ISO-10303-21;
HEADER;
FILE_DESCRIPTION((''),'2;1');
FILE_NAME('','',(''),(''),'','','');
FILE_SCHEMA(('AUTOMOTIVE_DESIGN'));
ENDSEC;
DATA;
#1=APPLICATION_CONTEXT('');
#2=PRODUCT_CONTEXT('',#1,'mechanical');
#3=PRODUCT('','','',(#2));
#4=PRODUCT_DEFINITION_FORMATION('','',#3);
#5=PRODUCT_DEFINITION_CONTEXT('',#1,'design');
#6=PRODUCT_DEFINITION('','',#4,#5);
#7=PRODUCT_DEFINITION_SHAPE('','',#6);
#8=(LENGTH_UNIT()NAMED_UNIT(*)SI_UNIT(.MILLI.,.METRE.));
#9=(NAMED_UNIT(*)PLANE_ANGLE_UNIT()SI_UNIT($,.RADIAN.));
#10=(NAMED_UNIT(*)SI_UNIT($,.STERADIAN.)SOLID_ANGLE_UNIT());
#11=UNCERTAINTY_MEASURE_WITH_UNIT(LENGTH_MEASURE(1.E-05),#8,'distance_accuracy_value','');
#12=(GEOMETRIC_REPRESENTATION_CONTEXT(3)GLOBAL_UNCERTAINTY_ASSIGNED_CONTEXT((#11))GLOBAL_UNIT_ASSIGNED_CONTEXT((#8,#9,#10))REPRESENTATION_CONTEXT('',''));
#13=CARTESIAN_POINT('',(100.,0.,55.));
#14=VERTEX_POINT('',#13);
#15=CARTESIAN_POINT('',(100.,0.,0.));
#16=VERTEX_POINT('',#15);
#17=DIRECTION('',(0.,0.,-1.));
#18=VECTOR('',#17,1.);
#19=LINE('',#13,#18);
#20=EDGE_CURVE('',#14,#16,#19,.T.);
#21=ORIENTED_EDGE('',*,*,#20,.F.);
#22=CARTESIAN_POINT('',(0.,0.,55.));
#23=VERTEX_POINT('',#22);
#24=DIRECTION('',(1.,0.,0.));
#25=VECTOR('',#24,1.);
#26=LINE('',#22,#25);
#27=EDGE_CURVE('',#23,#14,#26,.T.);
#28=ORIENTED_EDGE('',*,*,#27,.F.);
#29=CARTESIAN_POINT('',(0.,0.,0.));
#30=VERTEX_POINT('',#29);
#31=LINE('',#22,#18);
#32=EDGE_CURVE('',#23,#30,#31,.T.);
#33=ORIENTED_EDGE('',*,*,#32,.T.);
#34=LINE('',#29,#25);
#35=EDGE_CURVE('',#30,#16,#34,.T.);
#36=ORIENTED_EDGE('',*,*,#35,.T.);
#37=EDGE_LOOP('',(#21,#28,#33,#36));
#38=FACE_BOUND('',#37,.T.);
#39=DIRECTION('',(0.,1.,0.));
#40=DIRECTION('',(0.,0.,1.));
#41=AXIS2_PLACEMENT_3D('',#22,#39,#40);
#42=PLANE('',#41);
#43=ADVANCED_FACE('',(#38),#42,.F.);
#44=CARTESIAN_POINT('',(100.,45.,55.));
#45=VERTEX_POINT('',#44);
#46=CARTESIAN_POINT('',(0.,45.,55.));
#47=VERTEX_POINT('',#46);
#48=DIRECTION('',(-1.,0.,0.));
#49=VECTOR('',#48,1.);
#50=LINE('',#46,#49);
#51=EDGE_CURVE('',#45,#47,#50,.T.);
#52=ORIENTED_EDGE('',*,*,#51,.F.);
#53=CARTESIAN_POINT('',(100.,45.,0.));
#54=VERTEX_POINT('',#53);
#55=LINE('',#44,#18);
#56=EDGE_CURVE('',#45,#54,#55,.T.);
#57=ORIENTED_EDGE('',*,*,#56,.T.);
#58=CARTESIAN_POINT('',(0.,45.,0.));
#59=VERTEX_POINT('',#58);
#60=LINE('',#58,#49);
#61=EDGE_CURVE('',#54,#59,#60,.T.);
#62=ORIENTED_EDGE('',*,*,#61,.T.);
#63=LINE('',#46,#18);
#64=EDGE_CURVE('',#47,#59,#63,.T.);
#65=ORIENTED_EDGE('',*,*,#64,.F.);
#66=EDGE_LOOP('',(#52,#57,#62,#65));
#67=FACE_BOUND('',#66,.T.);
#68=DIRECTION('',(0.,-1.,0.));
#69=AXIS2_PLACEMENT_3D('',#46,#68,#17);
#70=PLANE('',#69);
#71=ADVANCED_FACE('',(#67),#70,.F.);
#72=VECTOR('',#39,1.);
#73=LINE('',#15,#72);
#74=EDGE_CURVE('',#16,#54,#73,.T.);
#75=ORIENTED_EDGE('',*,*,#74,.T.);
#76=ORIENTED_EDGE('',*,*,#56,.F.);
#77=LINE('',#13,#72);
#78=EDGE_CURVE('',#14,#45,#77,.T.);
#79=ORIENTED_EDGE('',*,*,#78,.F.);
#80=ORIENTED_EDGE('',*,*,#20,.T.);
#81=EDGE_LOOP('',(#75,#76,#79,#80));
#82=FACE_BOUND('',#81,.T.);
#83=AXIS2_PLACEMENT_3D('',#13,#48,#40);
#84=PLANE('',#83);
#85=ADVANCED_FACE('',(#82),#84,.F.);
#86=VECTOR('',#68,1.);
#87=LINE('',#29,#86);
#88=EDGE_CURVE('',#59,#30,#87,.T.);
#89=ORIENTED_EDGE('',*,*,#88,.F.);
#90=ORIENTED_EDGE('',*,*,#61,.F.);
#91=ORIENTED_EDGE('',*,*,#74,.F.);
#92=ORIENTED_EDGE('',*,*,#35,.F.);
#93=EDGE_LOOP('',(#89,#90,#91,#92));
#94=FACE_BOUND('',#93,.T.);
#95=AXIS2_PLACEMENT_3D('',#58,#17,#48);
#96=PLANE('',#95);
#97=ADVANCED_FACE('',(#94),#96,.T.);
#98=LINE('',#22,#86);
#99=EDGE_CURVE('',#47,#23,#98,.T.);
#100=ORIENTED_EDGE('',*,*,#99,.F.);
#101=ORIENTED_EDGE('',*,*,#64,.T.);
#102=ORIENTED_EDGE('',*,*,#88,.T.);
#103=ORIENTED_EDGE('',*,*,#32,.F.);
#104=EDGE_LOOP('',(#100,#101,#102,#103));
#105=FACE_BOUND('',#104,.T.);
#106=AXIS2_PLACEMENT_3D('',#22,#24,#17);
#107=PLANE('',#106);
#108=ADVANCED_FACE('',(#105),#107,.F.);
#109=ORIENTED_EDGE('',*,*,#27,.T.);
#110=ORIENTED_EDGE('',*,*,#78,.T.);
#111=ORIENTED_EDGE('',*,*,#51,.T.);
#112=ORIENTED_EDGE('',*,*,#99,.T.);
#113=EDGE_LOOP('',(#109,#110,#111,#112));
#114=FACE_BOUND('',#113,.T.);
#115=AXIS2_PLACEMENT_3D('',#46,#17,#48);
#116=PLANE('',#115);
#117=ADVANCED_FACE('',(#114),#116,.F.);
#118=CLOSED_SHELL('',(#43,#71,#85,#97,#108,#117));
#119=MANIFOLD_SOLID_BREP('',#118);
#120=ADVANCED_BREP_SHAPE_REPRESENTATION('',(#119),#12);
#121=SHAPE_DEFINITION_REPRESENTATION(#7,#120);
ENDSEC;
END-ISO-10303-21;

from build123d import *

# Parameters (mm, degrees)
ESQUISSE1_W        = 100
ESQUISSE1_H        = 45
BOSS_EXTRU_1_DEPTH = 55


with BuildPart() as part:
    # Esquisse1 → Boss.-Extru.1 (new body)
    with BuildSketch(Plane.XY):
        with Locations((50, 22.5)):
            Rectangle(ESQUISSE1_W, ESQUISSE1_H)
    extrude(amount=BOSS_EXTRU_1_DEPTH)


solid = part.part
